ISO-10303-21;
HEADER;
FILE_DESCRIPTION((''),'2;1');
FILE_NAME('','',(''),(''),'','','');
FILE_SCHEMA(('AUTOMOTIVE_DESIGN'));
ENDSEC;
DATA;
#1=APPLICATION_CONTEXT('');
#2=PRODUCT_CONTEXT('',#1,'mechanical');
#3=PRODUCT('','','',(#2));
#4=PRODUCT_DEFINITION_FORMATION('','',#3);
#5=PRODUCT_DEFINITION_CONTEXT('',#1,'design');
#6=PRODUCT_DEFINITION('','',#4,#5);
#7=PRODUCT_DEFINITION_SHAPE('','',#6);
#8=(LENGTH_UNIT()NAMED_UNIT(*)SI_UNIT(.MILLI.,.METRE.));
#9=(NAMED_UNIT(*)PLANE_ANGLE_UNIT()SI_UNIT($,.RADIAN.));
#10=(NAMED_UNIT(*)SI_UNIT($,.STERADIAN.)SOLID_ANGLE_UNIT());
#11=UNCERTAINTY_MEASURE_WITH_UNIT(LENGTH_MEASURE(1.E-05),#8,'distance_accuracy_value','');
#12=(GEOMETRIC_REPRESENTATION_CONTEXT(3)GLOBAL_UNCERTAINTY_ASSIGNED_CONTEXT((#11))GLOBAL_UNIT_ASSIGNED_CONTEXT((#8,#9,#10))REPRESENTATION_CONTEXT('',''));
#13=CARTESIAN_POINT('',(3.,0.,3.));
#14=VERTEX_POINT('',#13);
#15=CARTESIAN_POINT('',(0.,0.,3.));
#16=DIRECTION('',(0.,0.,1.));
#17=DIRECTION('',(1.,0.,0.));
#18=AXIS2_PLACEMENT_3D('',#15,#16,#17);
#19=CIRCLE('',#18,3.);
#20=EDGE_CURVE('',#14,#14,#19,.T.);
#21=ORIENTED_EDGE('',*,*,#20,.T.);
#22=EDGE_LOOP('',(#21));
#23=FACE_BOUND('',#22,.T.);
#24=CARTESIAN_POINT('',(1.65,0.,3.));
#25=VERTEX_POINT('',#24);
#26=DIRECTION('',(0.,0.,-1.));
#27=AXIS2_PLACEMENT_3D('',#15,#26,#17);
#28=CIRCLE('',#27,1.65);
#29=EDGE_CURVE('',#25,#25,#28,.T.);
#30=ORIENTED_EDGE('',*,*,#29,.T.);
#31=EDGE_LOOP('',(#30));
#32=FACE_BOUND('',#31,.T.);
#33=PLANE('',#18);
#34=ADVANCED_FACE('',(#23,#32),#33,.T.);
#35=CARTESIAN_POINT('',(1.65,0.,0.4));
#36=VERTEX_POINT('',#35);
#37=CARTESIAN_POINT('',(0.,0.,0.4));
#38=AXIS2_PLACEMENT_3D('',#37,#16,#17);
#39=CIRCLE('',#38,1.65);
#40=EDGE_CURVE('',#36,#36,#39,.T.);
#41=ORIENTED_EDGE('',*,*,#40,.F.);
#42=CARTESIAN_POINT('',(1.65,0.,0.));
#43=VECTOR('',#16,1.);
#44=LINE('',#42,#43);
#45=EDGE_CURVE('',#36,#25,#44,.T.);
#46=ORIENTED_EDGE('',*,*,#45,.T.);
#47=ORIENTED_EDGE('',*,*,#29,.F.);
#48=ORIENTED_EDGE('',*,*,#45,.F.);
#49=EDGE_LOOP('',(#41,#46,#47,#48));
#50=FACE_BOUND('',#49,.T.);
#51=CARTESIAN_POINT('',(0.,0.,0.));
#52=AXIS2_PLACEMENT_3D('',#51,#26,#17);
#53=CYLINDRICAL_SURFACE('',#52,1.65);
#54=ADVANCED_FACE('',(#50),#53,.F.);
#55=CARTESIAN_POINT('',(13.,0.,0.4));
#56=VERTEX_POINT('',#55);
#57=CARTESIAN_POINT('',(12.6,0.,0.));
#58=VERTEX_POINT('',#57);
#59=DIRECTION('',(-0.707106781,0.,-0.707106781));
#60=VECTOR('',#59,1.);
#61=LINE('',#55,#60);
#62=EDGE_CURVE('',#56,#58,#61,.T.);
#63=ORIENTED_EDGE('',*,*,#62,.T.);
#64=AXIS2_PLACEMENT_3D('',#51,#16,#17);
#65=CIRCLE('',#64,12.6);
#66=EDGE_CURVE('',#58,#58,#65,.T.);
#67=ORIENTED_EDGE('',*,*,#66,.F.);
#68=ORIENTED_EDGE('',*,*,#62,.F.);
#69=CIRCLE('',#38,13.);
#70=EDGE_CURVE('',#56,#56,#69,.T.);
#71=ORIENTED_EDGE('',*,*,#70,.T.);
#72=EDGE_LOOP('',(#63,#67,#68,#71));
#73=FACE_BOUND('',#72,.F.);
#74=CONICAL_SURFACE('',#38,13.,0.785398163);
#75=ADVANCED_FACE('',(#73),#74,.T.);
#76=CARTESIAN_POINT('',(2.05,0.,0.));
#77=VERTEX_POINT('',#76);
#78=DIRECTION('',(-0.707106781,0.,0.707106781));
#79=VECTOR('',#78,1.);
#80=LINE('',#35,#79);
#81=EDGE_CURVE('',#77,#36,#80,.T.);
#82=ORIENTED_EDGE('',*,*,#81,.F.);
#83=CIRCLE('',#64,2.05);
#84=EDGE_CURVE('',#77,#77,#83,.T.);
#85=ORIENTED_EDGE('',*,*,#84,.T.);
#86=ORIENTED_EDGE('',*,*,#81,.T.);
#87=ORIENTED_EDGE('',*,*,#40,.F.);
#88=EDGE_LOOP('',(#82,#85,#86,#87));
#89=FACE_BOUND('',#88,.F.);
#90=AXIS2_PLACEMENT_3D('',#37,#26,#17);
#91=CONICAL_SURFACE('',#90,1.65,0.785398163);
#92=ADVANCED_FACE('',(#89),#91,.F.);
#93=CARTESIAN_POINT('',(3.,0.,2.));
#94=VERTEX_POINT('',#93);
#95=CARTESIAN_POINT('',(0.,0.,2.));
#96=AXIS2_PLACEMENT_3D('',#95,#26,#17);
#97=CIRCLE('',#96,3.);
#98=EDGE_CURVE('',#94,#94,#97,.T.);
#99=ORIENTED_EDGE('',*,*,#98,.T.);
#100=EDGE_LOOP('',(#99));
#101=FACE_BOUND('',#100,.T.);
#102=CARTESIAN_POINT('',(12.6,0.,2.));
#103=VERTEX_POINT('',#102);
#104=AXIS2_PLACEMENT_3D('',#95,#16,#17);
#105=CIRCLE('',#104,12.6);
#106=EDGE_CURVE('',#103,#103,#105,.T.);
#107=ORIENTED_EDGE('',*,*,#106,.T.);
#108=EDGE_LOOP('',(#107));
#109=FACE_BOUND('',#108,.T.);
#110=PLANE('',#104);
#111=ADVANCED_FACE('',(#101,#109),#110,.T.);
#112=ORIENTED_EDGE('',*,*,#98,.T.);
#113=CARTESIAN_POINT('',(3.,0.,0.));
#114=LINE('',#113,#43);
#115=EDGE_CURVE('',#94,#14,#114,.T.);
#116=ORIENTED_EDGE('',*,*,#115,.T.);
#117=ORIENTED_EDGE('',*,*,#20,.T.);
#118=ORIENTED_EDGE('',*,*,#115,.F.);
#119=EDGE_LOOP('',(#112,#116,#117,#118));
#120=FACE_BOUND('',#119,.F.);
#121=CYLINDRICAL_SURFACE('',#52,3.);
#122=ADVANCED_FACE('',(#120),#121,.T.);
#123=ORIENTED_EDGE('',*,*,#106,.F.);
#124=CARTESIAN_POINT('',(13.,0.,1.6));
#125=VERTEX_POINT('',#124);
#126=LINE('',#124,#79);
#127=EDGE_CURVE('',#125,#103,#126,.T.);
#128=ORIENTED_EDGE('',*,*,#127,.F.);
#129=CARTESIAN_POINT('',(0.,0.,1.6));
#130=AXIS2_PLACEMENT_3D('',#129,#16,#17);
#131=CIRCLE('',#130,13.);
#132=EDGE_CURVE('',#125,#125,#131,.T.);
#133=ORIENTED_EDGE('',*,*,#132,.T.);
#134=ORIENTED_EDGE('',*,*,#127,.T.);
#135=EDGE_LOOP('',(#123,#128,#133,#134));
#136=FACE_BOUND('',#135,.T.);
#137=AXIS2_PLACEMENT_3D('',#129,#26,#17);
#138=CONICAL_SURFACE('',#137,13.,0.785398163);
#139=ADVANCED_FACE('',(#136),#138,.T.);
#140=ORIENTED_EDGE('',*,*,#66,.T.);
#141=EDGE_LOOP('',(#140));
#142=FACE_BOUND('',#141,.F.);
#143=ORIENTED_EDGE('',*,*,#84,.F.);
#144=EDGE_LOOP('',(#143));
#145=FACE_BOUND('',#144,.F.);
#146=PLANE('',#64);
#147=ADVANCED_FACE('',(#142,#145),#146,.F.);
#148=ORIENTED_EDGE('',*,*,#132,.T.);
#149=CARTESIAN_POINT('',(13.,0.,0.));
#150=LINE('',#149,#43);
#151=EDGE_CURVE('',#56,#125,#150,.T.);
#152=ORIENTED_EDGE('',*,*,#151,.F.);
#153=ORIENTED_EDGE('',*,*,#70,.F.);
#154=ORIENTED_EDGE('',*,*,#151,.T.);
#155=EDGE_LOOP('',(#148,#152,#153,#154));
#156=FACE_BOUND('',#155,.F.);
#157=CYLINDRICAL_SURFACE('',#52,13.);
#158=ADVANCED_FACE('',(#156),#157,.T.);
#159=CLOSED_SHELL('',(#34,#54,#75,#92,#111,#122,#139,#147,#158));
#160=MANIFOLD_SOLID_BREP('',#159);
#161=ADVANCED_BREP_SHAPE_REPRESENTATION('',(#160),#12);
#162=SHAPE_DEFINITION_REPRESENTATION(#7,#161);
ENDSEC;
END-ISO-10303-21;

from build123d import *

# Parameters (mm, degrees)
CYLINDER016_R                              = 1.65
CYLINDER016_DEPTH                          = 10
CYLINDER014_R                              = 13
CYLINDER014_DEPTH                          = 2
CYLINDER015_R                              = 3
CYLINDER015_DEPTH                          = 3
CHAMFER004013007011015006009007001083_SIZE = 0.4


with BuildPart() as cylinder016:
    # Cylinder016 → Cylinder016 (new body)
    with BuildSketch(Plane.XY):
        Circle(CYLINDER016_R)
    extrude(amount=CYLINDER016_DEPTH)


with BuildPart() as cylinder014:
    # Cylinder014 → Cylinder014 (new body)
    with BuildSketch(Plane.XY):
        Circle(CYLINDER014_R)
    extrude(amount=CYLINDER014_DEPTH)


with BuildPart() as stopper:
    # Cylinder015 → Cylinder015 (new body)
    with BuildSketch(Plane.XY):
        Circle(CYLINDER015_R)
    extrude(amount=CYLINDER015_DEPTH)

    # Fusion006002011004053036004001028003005014018035002007006011: union Cylinder014
    add(cylinder014.part)

    # Cut008004003004014002002005003004003002003021022001002001106: cut Cylinder016
    add(cylinder016.part, mode=Mode.SUBTRACT)

    # Chamfer004013007011015006009007001083
    chamfer004013007011015006009007001083_edges = [stopper.edges().sort_by_distance(p)[0] for p in [
        (-13, 0, 2),
        (-13, 0, 0),
        (-1.65, 0, 0),
    ]]
    chamfer(chamfer004013007011015006009007001083_edges, length=CHAMFER004013007011015006009007001083_SIZE)


solid = stopper.part
